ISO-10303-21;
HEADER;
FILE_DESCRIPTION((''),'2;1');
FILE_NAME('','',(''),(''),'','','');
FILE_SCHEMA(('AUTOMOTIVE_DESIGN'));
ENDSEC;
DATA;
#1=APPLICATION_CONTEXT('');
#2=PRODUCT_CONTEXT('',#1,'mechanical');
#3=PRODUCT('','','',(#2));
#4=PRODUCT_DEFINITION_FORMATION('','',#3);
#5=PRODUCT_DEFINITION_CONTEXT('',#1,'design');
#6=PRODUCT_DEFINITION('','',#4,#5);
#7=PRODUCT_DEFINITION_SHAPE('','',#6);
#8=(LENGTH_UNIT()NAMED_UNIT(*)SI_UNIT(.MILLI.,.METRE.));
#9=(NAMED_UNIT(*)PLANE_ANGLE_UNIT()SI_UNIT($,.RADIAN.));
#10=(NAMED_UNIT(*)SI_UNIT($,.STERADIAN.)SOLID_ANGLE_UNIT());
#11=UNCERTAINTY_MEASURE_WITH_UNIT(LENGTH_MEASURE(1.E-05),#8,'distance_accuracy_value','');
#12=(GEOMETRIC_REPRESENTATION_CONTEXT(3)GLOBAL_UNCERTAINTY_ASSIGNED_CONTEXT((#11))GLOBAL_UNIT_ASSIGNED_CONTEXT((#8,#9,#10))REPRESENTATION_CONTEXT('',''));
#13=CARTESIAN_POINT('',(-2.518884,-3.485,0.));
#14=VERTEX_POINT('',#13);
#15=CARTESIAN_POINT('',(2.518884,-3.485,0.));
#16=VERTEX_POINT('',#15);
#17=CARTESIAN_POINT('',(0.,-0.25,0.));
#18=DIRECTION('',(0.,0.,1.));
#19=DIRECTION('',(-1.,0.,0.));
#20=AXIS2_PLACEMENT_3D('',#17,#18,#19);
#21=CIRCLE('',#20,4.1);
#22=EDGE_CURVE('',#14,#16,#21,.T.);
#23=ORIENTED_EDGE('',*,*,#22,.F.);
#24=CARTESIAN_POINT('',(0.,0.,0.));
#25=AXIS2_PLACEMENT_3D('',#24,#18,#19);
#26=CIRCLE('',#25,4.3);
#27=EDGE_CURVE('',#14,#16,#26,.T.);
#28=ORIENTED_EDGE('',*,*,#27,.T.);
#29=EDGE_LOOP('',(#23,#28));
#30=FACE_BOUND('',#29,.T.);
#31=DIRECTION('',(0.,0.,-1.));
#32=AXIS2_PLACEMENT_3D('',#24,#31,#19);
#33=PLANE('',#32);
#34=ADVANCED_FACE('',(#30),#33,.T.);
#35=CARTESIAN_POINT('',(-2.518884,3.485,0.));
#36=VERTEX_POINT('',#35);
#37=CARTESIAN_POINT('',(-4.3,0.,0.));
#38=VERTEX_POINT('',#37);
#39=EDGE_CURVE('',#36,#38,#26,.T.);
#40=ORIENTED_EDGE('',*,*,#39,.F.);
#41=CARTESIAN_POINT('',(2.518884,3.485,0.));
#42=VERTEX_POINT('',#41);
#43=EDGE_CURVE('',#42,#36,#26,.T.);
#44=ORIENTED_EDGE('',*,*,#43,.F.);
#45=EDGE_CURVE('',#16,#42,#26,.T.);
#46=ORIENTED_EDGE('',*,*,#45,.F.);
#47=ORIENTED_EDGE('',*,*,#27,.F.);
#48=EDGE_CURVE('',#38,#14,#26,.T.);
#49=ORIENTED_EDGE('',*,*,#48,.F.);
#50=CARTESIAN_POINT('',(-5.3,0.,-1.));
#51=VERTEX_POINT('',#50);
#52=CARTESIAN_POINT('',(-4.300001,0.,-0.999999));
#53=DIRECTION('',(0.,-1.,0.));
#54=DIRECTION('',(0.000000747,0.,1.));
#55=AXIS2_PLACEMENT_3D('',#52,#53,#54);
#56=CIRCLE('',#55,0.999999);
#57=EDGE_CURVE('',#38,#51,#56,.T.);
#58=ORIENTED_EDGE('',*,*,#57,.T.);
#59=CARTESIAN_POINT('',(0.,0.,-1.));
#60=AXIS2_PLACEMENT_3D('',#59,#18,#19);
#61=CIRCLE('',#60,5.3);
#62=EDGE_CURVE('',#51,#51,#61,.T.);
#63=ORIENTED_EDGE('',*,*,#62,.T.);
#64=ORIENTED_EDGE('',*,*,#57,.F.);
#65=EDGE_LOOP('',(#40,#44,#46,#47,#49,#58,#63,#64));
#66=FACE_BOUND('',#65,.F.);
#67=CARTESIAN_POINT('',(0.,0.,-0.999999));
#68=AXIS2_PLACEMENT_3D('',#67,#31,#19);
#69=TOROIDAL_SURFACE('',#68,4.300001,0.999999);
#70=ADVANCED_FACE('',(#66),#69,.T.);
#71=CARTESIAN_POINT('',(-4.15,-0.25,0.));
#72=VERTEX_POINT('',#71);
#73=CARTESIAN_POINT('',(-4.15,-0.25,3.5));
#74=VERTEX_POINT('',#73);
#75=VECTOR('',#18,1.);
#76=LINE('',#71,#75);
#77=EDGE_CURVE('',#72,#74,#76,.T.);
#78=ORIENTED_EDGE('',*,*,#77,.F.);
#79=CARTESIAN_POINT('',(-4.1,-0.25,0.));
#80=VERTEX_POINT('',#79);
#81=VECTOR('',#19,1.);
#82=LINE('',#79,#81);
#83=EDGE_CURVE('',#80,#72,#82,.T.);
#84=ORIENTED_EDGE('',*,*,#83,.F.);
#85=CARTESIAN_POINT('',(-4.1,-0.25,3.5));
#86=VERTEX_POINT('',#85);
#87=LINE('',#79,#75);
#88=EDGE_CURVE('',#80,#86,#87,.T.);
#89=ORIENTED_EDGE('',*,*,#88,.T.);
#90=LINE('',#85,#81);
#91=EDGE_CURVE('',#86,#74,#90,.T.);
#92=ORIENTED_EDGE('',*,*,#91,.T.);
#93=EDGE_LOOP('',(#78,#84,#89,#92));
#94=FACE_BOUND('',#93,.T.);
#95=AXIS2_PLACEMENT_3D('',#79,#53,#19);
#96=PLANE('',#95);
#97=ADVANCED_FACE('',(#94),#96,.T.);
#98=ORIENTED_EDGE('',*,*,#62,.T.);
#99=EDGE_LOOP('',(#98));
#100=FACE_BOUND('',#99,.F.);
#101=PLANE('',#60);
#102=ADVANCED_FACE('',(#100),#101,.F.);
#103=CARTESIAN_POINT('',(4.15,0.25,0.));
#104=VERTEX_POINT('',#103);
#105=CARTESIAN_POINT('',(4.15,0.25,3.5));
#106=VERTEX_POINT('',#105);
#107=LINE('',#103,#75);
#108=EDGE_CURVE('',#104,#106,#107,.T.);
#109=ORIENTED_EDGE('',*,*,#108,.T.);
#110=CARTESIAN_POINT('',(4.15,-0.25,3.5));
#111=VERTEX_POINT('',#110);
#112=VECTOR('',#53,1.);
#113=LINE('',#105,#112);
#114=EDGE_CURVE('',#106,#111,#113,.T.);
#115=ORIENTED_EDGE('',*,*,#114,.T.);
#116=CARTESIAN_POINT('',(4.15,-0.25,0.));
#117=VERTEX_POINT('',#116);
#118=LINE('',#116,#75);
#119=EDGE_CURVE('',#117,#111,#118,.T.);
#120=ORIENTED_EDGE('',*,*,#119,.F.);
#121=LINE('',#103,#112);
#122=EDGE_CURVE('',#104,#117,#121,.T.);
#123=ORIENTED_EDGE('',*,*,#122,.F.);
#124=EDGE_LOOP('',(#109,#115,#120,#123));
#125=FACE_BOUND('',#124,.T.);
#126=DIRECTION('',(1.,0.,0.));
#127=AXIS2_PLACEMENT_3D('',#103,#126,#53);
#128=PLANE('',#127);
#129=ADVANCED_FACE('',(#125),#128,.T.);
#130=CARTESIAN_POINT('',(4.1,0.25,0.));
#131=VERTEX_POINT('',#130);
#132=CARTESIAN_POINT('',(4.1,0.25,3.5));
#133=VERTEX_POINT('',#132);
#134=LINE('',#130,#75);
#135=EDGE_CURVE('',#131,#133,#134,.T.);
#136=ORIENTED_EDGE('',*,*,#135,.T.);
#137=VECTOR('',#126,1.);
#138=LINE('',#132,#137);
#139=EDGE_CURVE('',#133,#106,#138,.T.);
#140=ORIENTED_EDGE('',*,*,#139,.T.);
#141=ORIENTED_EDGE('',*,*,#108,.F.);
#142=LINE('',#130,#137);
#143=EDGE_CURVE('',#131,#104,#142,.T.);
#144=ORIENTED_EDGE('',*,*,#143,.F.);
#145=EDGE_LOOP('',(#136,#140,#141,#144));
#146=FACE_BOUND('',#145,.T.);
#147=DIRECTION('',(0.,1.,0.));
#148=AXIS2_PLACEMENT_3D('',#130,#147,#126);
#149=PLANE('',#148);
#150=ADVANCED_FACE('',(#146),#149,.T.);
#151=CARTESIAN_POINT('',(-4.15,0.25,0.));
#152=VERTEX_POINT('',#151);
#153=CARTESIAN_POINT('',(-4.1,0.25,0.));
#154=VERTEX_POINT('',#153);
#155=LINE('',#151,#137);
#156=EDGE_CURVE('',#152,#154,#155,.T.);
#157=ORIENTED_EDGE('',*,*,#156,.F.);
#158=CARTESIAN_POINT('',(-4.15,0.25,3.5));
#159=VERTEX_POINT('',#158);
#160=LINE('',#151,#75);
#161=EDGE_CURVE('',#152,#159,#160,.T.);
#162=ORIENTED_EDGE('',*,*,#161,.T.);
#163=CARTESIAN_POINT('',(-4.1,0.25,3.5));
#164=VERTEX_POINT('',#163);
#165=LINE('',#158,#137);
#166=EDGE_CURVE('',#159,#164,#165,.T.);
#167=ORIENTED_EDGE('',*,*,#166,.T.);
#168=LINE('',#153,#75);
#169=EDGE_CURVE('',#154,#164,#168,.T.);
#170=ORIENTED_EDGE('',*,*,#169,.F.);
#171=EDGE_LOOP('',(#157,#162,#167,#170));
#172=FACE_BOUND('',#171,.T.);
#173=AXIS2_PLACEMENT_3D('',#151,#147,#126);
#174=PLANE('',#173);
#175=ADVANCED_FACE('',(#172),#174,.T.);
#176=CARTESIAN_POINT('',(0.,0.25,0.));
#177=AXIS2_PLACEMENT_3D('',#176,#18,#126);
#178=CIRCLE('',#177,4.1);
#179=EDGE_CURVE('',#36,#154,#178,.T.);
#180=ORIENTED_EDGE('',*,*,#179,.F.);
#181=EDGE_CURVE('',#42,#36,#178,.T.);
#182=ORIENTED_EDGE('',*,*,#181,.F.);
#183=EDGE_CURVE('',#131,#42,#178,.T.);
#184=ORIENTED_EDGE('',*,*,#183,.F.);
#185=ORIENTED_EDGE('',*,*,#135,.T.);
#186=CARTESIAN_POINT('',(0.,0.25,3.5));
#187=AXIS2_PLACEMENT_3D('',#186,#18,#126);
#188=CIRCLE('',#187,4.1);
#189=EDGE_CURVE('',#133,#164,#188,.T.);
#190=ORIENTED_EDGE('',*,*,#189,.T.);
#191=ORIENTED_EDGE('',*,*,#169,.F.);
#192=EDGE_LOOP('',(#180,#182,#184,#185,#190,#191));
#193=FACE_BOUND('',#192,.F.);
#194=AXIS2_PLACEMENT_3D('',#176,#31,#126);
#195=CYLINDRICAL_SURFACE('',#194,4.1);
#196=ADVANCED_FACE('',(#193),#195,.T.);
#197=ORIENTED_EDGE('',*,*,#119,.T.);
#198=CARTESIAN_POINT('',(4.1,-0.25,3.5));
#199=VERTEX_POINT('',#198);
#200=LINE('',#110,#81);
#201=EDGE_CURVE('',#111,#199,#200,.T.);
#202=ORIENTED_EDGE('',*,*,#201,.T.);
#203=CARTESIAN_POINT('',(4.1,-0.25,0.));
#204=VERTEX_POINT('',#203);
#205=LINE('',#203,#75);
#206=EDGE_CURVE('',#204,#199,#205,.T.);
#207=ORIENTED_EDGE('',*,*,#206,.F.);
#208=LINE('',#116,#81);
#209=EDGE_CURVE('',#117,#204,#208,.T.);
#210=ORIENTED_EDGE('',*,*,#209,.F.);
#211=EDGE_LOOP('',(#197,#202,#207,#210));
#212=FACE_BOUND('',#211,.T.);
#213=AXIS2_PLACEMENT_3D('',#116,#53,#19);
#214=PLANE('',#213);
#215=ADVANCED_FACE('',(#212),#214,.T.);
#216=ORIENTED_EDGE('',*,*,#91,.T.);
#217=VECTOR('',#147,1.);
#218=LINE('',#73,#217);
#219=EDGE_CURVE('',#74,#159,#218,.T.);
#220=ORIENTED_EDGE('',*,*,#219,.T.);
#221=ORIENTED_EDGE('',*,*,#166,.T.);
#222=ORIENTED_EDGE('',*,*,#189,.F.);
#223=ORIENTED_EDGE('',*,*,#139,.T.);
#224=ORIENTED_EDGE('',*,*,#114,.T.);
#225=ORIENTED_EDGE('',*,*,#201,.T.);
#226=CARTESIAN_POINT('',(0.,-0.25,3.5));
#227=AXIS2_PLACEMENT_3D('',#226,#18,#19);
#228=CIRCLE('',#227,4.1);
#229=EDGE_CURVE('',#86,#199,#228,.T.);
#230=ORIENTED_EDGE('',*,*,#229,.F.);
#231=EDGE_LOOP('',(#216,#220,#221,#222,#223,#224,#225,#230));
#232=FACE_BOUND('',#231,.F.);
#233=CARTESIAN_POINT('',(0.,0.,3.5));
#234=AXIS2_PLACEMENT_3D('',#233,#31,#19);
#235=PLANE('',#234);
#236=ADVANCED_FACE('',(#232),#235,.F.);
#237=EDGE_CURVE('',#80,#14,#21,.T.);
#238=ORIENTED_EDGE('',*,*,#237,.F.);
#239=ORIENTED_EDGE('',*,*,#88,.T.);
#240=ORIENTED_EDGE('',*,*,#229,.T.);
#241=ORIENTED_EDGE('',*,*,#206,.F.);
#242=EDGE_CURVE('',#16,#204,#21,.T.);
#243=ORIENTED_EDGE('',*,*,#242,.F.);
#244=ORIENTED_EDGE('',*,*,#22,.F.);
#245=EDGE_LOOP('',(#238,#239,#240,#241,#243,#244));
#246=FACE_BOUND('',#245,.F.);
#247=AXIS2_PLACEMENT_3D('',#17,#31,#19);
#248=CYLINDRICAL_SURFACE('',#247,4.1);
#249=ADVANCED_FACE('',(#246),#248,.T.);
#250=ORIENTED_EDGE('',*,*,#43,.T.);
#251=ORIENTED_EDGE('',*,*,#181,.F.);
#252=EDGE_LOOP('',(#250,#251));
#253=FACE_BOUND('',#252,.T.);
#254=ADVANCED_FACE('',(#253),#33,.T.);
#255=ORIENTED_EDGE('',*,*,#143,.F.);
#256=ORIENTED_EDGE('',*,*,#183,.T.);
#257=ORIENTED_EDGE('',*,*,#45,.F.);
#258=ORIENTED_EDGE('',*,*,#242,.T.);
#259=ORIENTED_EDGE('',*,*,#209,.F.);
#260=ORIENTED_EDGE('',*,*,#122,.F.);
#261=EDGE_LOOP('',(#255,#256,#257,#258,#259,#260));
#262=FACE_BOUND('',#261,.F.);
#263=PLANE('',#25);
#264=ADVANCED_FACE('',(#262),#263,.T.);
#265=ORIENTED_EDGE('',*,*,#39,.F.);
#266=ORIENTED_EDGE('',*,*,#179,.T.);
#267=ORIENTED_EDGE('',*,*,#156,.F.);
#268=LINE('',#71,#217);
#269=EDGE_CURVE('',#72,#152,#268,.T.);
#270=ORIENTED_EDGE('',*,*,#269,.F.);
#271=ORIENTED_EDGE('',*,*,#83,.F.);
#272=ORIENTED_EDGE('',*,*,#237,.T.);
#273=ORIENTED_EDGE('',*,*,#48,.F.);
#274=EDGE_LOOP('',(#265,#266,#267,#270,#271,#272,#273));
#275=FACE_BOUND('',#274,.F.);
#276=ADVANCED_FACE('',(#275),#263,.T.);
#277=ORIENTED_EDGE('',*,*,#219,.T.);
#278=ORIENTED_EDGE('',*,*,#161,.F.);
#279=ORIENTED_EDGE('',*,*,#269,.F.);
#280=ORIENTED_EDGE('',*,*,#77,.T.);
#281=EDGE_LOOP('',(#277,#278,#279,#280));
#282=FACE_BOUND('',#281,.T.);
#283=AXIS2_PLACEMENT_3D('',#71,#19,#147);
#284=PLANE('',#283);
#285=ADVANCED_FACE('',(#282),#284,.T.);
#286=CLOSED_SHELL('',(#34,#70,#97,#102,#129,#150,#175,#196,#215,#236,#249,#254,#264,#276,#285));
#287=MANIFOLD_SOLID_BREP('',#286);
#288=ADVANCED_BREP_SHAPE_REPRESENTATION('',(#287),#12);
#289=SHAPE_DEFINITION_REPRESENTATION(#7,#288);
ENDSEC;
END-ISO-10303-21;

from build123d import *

# Parameters (mm, degrees)
PAD_DEPTH = 3.5


with BuildPart() as part:
    # Sketch → Pad (new body)
    with BuildSketch(Plane.XY):
        with BuildLine():
            Line((-4.15, -0.25), (-4.15, 0.25))
            Line((-4.15, 0.25), (-4.1, 0.25))
            ThreePointArc((4.1, 0.25), (0, 4.35), (-4.1, 0.25))
            Line((4.1, 0.25), (4.15, 0.25))
            Line((4.15, 0.25), (4.15, -0.25))
            Line((4.15, -0.25), (4.1, -0.25))
            ThreePointArc((-4.1, -0.25), (0, -4.35), (4.1, -0.25))
            Line((-4.1, -0.25), (-4.15, -0.25))
        make_face()
    extrude(amount=PAD_DEPTH)

    # Sketch001 → Revolution (revolve)
    with BuildSketch(Plane.XZ):
        with BuildLine():
            Line((0, 0), (-4.3, 0))
            ThreePointArc((-4.3, 0), (-5.007107, -0.292893), (-5.3, -1))
            Line((-5.3, -1), (0, -1))
            Line((0, -1), (0, 0))
        make_face()
    revolve(axis=Axis((0, 0, 0), (0, 0, 1)))


solid = part.part
